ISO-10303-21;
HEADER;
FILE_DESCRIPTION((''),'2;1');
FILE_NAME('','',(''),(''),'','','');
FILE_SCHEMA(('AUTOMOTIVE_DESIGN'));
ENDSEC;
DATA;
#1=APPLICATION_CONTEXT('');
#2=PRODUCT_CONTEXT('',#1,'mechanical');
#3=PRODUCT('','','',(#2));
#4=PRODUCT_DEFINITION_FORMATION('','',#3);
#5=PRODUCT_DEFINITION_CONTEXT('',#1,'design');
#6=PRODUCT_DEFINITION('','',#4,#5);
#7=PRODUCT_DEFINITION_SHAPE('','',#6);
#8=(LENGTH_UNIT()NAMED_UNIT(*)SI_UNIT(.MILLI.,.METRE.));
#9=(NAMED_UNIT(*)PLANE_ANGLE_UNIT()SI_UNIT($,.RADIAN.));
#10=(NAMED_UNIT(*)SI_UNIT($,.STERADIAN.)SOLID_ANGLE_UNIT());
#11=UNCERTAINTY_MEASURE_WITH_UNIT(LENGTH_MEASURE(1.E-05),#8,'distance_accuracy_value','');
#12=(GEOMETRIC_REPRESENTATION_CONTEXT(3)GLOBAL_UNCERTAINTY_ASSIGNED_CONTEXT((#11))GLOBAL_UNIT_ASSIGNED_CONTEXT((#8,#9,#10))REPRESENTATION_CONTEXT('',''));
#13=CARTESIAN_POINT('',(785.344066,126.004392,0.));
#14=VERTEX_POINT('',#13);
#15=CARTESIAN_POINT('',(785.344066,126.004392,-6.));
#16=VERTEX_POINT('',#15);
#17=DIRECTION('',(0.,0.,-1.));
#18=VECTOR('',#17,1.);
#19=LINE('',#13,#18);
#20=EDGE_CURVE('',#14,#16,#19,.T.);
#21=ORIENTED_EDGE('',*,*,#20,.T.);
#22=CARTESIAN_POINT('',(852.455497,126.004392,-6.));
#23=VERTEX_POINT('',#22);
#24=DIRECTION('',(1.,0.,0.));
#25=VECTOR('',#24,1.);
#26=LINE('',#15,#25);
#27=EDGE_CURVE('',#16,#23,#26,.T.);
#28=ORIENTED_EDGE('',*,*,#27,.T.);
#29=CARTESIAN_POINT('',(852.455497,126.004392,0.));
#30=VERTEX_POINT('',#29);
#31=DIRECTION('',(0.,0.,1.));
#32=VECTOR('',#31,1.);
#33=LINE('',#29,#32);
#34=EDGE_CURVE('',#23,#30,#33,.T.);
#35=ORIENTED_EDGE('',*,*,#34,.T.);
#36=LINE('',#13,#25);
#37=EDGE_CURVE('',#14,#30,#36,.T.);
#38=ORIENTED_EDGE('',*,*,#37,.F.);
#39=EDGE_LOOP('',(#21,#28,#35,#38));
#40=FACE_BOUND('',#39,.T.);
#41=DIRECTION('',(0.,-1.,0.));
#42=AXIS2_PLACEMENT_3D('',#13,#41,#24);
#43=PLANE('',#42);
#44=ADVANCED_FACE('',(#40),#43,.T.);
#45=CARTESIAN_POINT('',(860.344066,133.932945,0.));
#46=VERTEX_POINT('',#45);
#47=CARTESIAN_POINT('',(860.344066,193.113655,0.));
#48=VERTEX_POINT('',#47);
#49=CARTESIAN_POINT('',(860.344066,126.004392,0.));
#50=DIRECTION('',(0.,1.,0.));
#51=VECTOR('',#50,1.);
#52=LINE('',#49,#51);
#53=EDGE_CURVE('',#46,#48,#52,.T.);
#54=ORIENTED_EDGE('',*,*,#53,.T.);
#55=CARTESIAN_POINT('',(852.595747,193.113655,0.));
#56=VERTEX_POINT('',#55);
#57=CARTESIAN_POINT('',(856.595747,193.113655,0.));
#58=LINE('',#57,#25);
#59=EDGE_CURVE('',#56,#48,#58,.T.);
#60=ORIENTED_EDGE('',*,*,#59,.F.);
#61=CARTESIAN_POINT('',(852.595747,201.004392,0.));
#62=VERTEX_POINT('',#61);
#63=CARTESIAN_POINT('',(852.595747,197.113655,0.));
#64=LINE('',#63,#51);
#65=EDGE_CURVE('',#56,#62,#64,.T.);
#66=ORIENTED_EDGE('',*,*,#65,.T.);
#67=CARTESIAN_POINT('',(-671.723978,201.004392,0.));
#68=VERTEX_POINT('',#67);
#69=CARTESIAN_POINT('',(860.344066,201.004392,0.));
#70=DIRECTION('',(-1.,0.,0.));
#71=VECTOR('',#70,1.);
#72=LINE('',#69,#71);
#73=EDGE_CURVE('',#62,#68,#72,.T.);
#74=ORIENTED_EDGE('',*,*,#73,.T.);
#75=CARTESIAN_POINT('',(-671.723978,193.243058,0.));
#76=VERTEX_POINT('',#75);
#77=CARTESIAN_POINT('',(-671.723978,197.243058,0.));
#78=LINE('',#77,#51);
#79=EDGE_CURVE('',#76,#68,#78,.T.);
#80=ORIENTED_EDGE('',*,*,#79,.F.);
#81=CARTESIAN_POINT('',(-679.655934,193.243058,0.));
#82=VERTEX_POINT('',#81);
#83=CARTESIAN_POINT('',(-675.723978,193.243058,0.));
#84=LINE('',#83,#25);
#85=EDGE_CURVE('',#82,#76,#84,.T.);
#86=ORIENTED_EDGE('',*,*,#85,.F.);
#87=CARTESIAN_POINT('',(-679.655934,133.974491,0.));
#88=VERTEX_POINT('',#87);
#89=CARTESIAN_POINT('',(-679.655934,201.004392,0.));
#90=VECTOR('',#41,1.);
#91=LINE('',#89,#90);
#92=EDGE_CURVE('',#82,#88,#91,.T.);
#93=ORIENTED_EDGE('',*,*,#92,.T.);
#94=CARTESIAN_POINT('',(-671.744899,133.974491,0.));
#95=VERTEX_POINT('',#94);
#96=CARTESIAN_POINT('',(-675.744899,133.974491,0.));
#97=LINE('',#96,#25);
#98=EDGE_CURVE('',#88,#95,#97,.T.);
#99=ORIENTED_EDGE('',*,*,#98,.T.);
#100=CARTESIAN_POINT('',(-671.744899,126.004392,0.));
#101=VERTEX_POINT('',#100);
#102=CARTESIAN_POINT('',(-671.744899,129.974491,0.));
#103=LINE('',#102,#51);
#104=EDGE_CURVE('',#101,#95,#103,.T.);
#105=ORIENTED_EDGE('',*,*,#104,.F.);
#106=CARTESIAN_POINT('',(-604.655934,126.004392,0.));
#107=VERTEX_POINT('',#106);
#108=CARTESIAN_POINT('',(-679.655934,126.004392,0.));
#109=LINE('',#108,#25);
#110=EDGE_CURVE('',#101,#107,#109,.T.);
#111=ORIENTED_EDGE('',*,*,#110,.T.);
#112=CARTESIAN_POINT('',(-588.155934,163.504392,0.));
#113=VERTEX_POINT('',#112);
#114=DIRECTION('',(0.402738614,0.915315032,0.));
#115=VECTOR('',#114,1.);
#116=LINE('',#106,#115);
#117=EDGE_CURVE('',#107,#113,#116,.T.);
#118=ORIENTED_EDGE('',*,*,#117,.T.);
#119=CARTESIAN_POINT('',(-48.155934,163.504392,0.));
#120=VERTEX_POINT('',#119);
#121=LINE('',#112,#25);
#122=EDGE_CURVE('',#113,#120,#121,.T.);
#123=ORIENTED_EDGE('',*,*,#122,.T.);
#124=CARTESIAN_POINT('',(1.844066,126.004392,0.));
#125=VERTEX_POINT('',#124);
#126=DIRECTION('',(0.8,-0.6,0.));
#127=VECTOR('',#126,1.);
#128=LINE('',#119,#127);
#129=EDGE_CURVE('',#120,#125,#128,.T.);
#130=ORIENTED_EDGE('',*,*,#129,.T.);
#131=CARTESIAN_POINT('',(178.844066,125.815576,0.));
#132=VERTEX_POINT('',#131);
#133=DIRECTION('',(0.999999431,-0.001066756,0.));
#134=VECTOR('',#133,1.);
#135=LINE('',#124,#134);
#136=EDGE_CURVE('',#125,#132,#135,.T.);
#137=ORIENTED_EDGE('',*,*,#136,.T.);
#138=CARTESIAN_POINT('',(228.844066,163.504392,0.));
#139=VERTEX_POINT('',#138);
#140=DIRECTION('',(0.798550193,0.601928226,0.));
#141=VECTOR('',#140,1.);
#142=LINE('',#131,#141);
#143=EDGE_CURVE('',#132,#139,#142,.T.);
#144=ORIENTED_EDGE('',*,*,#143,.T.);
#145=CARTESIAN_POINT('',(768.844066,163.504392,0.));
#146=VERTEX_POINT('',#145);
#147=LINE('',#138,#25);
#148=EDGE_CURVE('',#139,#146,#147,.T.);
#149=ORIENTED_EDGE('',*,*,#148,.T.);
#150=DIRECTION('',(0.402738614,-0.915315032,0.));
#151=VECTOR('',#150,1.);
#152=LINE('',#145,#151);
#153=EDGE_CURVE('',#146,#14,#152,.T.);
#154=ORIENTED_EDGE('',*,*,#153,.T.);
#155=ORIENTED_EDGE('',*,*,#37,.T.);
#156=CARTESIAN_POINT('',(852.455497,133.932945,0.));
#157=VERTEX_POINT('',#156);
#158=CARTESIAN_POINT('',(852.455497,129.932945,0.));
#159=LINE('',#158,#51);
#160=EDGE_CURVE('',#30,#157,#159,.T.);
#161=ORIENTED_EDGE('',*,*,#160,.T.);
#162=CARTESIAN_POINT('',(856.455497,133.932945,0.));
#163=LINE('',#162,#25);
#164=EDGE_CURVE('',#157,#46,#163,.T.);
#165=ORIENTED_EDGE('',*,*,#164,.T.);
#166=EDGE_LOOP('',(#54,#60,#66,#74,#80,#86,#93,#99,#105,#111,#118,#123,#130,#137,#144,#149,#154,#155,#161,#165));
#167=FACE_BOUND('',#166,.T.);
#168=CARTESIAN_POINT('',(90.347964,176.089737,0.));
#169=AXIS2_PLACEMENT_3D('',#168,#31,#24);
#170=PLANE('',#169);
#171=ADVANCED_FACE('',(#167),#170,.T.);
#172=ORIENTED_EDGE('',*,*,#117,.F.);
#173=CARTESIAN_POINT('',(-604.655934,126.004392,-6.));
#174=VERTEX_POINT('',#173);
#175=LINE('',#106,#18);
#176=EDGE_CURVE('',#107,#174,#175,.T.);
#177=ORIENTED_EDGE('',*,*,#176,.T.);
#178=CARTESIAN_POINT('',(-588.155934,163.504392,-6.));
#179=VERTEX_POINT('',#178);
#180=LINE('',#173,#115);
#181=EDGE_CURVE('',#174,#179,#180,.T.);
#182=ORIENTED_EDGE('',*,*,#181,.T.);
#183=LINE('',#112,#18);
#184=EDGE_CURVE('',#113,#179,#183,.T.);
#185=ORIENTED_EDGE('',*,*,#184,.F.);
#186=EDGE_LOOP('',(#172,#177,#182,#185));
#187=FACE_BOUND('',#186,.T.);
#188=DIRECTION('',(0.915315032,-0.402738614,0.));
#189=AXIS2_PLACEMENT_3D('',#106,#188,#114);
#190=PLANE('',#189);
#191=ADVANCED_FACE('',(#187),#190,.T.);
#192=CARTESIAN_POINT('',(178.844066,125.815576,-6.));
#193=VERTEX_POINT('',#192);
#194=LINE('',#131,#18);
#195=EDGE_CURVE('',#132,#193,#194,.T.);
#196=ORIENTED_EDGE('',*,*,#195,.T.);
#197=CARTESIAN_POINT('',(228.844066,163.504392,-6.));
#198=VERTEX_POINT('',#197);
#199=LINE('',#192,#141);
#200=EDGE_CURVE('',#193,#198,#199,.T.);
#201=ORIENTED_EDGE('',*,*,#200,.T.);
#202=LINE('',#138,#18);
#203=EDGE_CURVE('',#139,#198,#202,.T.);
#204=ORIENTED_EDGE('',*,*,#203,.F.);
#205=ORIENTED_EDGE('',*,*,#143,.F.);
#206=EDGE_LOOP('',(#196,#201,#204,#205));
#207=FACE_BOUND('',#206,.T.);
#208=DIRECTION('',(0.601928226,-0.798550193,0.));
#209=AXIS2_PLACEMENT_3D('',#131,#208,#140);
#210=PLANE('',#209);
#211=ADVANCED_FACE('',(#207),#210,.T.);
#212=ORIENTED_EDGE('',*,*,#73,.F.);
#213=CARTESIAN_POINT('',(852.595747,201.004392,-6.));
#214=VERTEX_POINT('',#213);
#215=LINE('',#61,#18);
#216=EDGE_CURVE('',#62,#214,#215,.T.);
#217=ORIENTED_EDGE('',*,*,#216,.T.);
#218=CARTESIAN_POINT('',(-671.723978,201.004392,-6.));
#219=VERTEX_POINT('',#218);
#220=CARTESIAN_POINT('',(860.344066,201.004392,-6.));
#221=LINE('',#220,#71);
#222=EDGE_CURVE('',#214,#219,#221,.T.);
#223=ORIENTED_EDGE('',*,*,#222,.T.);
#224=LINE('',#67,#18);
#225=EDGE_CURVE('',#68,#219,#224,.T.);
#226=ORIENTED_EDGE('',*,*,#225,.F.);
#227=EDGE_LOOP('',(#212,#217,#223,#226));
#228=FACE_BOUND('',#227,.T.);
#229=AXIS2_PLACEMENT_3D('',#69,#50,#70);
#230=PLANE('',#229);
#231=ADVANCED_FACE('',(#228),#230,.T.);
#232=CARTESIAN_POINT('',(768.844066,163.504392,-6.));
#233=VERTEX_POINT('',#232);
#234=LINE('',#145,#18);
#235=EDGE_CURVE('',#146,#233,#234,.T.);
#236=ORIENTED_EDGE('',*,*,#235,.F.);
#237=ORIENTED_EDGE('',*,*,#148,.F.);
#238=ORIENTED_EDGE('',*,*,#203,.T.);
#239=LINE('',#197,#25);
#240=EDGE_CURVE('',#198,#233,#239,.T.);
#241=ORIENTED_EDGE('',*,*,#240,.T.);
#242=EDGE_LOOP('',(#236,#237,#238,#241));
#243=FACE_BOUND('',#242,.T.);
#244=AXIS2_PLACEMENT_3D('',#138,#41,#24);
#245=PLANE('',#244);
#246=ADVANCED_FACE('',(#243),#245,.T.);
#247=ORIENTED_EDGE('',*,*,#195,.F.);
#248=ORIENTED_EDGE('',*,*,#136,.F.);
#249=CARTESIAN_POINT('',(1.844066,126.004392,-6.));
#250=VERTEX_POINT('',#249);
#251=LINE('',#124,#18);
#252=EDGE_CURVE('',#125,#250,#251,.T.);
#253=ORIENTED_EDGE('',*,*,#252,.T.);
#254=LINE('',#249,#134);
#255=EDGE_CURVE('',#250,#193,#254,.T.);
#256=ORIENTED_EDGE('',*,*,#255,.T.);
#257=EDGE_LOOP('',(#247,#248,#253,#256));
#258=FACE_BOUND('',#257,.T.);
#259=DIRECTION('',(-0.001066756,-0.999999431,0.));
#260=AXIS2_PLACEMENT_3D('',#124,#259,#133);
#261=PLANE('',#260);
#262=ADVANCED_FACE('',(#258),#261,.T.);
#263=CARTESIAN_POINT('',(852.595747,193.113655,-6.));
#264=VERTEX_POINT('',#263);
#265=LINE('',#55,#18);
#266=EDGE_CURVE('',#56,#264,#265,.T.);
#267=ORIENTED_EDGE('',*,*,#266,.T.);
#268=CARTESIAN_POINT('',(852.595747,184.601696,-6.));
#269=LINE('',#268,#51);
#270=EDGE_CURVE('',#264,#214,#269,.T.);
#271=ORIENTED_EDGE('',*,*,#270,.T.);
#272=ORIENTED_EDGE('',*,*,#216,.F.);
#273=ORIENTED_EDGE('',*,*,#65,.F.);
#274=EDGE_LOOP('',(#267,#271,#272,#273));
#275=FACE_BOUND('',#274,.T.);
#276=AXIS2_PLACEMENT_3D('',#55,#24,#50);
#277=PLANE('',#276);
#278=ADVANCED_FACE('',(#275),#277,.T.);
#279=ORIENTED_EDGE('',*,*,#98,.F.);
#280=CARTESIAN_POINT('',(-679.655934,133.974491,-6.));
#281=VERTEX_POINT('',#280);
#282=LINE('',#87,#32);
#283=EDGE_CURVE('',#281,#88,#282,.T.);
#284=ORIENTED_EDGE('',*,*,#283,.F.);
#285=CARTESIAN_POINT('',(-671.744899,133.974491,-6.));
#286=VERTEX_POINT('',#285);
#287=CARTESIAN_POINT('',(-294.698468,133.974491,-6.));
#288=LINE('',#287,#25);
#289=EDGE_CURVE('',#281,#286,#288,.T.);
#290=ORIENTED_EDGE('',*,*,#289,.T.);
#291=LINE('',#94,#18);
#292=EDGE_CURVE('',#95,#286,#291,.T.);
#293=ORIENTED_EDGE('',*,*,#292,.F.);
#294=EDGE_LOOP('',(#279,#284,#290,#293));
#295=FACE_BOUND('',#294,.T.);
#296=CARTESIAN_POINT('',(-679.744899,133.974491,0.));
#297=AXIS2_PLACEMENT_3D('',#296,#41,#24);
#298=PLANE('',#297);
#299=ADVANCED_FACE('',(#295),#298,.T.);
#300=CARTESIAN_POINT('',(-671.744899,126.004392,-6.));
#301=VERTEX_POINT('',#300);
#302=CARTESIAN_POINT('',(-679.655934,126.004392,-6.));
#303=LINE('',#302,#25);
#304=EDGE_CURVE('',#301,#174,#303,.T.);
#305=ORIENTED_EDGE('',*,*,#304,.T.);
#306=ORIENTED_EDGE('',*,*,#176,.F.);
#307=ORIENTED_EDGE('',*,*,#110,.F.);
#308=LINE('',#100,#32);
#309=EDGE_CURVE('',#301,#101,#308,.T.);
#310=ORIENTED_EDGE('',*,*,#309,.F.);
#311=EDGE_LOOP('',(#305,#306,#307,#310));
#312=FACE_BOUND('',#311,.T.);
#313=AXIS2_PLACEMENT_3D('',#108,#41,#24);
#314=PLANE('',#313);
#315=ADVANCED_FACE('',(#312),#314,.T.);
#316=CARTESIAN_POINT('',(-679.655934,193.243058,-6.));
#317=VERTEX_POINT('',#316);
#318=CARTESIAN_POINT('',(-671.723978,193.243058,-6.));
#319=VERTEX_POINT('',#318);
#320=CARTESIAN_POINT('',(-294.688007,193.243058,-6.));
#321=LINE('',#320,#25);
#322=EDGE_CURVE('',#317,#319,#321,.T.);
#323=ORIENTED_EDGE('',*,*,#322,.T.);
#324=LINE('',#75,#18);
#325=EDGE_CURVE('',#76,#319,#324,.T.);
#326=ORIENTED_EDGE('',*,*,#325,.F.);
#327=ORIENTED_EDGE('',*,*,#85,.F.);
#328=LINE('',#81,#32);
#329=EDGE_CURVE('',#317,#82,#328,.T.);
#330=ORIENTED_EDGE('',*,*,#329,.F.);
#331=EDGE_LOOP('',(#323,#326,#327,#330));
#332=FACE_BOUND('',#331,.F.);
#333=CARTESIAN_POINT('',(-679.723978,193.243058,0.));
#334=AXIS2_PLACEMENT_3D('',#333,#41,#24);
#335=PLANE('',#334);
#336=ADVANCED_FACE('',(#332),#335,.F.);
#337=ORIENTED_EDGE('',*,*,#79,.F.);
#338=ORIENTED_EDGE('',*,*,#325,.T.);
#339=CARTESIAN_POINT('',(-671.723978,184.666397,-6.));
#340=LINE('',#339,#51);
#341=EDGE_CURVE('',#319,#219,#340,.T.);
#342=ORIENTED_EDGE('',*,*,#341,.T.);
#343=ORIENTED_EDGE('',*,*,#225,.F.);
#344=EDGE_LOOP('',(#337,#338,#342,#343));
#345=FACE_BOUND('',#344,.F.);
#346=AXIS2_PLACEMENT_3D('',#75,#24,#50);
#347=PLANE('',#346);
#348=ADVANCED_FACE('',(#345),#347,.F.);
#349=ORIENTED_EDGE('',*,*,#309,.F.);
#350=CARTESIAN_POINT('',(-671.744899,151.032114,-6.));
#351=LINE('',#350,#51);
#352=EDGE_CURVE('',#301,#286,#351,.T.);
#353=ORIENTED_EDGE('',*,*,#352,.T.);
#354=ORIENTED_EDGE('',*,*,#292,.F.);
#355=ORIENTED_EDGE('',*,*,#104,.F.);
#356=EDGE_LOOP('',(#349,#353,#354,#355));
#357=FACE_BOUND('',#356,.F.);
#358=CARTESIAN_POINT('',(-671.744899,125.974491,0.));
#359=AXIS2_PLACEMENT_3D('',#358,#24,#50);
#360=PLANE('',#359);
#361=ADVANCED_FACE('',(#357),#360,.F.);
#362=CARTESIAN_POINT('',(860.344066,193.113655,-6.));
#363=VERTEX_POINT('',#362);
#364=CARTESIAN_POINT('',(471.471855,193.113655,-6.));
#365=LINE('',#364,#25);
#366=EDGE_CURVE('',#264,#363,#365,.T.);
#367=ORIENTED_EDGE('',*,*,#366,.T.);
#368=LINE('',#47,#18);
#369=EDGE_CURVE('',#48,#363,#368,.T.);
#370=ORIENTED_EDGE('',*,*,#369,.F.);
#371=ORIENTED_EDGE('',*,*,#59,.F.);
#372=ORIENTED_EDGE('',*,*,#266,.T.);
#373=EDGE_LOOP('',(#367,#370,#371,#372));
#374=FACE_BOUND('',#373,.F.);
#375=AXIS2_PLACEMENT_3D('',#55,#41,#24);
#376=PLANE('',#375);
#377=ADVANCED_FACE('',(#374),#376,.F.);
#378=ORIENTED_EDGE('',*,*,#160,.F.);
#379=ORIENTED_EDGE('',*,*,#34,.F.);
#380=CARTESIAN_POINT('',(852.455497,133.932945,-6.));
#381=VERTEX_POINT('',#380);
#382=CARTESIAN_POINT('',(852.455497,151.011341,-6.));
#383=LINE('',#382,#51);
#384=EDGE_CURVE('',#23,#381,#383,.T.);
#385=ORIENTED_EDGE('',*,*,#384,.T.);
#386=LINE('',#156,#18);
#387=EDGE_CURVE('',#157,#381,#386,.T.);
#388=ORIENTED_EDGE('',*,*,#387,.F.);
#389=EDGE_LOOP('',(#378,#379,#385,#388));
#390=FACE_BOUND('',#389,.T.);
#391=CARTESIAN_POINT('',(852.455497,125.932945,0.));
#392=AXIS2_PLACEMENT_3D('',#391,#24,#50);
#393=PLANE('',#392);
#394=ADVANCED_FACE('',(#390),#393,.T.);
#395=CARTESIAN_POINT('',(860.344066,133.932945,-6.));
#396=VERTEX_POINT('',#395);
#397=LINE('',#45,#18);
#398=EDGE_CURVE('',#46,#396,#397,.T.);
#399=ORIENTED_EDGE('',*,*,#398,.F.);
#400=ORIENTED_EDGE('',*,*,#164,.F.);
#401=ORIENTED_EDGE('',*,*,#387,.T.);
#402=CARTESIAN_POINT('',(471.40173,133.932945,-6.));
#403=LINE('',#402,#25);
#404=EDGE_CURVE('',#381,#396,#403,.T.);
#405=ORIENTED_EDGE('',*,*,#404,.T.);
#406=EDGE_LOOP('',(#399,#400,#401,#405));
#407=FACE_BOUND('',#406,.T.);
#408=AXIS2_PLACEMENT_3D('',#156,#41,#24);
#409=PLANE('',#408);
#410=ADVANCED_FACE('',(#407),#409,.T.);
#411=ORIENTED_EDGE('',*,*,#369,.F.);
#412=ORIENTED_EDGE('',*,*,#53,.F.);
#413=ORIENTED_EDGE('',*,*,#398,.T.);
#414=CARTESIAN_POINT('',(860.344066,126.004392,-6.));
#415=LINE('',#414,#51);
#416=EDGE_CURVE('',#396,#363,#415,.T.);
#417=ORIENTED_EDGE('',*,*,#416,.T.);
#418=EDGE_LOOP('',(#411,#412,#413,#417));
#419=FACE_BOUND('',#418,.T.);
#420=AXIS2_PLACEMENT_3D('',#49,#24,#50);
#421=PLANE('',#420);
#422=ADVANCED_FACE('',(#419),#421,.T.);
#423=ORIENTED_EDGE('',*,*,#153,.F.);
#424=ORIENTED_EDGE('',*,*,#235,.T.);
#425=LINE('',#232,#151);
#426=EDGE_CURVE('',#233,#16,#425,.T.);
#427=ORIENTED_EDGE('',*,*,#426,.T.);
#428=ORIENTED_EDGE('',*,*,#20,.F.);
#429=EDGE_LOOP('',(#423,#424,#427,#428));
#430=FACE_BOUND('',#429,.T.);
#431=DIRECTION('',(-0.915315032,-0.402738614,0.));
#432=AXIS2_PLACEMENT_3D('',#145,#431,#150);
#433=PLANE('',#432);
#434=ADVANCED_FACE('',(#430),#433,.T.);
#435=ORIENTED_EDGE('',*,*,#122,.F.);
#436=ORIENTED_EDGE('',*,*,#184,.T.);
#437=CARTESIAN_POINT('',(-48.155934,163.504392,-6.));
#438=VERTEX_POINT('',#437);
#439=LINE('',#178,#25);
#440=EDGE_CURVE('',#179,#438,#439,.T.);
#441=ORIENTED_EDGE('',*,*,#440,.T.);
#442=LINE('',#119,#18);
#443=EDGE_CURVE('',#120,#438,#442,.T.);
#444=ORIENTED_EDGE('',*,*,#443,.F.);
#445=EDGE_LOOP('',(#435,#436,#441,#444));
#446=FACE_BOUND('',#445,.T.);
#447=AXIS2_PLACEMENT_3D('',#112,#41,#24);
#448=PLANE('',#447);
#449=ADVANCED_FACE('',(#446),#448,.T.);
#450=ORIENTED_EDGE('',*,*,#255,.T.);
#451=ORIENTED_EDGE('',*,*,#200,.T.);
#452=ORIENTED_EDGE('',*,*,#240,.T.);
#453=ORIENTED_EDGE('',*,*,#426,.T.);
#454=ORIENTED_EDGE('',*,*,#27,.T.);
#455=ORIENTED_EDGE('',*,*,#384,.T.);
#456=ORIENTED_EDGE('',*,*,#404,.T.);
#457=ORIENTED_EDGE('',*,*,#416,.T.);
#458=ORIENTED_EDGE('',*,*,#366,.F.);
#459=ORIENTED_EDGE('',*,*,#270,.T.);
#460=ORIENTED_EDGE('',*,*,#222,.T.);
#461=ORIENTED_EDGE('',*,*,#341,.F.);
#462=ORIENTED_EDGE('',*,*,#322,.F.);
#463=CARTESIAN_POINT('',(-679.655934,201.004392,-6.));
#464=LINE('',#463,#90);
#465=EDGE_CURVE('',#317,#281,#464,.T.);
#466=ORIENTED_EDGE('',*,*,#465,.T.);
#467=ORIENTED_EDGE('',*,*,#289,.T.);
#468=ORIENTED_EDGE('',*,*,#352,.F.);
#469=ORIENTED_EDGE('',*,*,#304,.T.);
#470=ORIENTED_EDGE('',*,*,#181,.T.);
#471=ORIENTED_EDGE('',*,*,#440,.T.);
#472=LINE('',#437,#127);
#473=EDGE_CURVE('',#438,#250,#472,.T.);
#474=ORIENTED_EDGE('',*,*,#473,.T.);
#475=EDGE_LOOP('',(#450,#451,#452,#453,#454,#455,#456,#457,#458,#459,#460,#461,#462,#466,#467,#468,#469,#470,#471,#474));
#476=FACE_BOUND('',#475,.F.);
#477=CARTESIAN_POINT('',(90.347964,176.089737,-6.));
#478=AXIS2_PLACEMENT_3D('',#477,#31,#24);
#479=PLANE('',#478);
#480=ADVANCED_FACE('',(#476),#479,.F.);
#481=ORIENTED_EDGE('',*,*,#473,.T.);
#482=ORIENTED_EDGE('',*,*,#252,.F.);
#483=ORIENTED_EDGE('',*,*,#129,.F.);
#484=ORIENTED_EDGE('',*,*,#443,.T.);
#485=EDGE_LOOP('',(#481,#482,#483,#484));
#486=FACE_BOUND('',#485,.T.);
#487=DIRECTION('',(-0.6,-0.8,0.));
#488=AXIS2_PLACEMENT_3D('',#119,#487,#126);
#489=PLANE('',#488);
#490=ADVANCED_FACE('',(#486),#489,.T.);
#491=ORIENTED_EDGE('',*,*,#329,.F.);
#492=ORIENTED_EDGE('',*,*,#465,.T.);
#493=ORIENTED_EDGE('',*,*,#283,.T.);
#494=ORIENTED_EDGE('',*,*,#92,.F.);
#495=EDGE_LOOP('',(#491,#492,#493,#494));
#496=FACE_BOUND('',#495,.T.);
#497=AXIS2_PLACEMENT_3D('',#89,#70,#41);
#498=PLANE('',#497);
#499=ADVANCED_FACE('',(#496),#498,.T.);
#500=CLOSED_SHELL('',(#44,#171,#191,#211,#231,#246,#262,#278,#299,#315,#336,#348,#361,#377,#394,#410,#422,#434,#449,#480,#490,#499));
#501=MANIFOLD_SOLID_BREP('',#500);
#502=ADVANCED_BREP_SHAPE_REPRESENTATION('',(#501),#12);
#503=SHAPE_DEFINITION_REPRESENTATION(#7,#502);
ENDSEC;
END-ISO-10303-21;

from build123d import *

# Parameters (mm, degrees)
F1_DEPTH = 6
F2_W     = 8
F2_H     = 8
F3_DEPTH = 6.1


with BuildPart() as f1:
    # F0 (on Top) → F1 (new body)
    with BuildSketch(Plane.XY):
        Polygon((860.344066, 201.004392), (-679.655934, 201.004392), (-679.655934, 126.004392), (-604.655934, 126.004392), (-588.155934, 163.504392), (-48.155934, 163.504392), (1.844066, 126.004392), (178.844066, 125.815576), (228.844066, 163.504392), (768.844066, 163.504392), (785.344066, 126.004392), (860.344066, 126.004392), align=None)
    extrude(amount=-F1_DEPTH)

    # F2 (on face) → F3 (cut)
    with BuildSketch(Plane.XY):
        with Locations((-675.723978, 197.243058)):
            Rectangle(F2_W, F2_H)
        with Locations((-675.744899, 129.974491)):
            Rectangle(F2_W, F2_H)
        with Locations((856.595747, 197.113655)):
            Rectangle(F2_W, F2_H)
        with Locations((856.455497, 129.932945)):
            Rectangle(F2_W, F2_H)
    extrude(amount=-F3_DEPTH, mode=Mode.SUBTRACT)


solid = f1.part
